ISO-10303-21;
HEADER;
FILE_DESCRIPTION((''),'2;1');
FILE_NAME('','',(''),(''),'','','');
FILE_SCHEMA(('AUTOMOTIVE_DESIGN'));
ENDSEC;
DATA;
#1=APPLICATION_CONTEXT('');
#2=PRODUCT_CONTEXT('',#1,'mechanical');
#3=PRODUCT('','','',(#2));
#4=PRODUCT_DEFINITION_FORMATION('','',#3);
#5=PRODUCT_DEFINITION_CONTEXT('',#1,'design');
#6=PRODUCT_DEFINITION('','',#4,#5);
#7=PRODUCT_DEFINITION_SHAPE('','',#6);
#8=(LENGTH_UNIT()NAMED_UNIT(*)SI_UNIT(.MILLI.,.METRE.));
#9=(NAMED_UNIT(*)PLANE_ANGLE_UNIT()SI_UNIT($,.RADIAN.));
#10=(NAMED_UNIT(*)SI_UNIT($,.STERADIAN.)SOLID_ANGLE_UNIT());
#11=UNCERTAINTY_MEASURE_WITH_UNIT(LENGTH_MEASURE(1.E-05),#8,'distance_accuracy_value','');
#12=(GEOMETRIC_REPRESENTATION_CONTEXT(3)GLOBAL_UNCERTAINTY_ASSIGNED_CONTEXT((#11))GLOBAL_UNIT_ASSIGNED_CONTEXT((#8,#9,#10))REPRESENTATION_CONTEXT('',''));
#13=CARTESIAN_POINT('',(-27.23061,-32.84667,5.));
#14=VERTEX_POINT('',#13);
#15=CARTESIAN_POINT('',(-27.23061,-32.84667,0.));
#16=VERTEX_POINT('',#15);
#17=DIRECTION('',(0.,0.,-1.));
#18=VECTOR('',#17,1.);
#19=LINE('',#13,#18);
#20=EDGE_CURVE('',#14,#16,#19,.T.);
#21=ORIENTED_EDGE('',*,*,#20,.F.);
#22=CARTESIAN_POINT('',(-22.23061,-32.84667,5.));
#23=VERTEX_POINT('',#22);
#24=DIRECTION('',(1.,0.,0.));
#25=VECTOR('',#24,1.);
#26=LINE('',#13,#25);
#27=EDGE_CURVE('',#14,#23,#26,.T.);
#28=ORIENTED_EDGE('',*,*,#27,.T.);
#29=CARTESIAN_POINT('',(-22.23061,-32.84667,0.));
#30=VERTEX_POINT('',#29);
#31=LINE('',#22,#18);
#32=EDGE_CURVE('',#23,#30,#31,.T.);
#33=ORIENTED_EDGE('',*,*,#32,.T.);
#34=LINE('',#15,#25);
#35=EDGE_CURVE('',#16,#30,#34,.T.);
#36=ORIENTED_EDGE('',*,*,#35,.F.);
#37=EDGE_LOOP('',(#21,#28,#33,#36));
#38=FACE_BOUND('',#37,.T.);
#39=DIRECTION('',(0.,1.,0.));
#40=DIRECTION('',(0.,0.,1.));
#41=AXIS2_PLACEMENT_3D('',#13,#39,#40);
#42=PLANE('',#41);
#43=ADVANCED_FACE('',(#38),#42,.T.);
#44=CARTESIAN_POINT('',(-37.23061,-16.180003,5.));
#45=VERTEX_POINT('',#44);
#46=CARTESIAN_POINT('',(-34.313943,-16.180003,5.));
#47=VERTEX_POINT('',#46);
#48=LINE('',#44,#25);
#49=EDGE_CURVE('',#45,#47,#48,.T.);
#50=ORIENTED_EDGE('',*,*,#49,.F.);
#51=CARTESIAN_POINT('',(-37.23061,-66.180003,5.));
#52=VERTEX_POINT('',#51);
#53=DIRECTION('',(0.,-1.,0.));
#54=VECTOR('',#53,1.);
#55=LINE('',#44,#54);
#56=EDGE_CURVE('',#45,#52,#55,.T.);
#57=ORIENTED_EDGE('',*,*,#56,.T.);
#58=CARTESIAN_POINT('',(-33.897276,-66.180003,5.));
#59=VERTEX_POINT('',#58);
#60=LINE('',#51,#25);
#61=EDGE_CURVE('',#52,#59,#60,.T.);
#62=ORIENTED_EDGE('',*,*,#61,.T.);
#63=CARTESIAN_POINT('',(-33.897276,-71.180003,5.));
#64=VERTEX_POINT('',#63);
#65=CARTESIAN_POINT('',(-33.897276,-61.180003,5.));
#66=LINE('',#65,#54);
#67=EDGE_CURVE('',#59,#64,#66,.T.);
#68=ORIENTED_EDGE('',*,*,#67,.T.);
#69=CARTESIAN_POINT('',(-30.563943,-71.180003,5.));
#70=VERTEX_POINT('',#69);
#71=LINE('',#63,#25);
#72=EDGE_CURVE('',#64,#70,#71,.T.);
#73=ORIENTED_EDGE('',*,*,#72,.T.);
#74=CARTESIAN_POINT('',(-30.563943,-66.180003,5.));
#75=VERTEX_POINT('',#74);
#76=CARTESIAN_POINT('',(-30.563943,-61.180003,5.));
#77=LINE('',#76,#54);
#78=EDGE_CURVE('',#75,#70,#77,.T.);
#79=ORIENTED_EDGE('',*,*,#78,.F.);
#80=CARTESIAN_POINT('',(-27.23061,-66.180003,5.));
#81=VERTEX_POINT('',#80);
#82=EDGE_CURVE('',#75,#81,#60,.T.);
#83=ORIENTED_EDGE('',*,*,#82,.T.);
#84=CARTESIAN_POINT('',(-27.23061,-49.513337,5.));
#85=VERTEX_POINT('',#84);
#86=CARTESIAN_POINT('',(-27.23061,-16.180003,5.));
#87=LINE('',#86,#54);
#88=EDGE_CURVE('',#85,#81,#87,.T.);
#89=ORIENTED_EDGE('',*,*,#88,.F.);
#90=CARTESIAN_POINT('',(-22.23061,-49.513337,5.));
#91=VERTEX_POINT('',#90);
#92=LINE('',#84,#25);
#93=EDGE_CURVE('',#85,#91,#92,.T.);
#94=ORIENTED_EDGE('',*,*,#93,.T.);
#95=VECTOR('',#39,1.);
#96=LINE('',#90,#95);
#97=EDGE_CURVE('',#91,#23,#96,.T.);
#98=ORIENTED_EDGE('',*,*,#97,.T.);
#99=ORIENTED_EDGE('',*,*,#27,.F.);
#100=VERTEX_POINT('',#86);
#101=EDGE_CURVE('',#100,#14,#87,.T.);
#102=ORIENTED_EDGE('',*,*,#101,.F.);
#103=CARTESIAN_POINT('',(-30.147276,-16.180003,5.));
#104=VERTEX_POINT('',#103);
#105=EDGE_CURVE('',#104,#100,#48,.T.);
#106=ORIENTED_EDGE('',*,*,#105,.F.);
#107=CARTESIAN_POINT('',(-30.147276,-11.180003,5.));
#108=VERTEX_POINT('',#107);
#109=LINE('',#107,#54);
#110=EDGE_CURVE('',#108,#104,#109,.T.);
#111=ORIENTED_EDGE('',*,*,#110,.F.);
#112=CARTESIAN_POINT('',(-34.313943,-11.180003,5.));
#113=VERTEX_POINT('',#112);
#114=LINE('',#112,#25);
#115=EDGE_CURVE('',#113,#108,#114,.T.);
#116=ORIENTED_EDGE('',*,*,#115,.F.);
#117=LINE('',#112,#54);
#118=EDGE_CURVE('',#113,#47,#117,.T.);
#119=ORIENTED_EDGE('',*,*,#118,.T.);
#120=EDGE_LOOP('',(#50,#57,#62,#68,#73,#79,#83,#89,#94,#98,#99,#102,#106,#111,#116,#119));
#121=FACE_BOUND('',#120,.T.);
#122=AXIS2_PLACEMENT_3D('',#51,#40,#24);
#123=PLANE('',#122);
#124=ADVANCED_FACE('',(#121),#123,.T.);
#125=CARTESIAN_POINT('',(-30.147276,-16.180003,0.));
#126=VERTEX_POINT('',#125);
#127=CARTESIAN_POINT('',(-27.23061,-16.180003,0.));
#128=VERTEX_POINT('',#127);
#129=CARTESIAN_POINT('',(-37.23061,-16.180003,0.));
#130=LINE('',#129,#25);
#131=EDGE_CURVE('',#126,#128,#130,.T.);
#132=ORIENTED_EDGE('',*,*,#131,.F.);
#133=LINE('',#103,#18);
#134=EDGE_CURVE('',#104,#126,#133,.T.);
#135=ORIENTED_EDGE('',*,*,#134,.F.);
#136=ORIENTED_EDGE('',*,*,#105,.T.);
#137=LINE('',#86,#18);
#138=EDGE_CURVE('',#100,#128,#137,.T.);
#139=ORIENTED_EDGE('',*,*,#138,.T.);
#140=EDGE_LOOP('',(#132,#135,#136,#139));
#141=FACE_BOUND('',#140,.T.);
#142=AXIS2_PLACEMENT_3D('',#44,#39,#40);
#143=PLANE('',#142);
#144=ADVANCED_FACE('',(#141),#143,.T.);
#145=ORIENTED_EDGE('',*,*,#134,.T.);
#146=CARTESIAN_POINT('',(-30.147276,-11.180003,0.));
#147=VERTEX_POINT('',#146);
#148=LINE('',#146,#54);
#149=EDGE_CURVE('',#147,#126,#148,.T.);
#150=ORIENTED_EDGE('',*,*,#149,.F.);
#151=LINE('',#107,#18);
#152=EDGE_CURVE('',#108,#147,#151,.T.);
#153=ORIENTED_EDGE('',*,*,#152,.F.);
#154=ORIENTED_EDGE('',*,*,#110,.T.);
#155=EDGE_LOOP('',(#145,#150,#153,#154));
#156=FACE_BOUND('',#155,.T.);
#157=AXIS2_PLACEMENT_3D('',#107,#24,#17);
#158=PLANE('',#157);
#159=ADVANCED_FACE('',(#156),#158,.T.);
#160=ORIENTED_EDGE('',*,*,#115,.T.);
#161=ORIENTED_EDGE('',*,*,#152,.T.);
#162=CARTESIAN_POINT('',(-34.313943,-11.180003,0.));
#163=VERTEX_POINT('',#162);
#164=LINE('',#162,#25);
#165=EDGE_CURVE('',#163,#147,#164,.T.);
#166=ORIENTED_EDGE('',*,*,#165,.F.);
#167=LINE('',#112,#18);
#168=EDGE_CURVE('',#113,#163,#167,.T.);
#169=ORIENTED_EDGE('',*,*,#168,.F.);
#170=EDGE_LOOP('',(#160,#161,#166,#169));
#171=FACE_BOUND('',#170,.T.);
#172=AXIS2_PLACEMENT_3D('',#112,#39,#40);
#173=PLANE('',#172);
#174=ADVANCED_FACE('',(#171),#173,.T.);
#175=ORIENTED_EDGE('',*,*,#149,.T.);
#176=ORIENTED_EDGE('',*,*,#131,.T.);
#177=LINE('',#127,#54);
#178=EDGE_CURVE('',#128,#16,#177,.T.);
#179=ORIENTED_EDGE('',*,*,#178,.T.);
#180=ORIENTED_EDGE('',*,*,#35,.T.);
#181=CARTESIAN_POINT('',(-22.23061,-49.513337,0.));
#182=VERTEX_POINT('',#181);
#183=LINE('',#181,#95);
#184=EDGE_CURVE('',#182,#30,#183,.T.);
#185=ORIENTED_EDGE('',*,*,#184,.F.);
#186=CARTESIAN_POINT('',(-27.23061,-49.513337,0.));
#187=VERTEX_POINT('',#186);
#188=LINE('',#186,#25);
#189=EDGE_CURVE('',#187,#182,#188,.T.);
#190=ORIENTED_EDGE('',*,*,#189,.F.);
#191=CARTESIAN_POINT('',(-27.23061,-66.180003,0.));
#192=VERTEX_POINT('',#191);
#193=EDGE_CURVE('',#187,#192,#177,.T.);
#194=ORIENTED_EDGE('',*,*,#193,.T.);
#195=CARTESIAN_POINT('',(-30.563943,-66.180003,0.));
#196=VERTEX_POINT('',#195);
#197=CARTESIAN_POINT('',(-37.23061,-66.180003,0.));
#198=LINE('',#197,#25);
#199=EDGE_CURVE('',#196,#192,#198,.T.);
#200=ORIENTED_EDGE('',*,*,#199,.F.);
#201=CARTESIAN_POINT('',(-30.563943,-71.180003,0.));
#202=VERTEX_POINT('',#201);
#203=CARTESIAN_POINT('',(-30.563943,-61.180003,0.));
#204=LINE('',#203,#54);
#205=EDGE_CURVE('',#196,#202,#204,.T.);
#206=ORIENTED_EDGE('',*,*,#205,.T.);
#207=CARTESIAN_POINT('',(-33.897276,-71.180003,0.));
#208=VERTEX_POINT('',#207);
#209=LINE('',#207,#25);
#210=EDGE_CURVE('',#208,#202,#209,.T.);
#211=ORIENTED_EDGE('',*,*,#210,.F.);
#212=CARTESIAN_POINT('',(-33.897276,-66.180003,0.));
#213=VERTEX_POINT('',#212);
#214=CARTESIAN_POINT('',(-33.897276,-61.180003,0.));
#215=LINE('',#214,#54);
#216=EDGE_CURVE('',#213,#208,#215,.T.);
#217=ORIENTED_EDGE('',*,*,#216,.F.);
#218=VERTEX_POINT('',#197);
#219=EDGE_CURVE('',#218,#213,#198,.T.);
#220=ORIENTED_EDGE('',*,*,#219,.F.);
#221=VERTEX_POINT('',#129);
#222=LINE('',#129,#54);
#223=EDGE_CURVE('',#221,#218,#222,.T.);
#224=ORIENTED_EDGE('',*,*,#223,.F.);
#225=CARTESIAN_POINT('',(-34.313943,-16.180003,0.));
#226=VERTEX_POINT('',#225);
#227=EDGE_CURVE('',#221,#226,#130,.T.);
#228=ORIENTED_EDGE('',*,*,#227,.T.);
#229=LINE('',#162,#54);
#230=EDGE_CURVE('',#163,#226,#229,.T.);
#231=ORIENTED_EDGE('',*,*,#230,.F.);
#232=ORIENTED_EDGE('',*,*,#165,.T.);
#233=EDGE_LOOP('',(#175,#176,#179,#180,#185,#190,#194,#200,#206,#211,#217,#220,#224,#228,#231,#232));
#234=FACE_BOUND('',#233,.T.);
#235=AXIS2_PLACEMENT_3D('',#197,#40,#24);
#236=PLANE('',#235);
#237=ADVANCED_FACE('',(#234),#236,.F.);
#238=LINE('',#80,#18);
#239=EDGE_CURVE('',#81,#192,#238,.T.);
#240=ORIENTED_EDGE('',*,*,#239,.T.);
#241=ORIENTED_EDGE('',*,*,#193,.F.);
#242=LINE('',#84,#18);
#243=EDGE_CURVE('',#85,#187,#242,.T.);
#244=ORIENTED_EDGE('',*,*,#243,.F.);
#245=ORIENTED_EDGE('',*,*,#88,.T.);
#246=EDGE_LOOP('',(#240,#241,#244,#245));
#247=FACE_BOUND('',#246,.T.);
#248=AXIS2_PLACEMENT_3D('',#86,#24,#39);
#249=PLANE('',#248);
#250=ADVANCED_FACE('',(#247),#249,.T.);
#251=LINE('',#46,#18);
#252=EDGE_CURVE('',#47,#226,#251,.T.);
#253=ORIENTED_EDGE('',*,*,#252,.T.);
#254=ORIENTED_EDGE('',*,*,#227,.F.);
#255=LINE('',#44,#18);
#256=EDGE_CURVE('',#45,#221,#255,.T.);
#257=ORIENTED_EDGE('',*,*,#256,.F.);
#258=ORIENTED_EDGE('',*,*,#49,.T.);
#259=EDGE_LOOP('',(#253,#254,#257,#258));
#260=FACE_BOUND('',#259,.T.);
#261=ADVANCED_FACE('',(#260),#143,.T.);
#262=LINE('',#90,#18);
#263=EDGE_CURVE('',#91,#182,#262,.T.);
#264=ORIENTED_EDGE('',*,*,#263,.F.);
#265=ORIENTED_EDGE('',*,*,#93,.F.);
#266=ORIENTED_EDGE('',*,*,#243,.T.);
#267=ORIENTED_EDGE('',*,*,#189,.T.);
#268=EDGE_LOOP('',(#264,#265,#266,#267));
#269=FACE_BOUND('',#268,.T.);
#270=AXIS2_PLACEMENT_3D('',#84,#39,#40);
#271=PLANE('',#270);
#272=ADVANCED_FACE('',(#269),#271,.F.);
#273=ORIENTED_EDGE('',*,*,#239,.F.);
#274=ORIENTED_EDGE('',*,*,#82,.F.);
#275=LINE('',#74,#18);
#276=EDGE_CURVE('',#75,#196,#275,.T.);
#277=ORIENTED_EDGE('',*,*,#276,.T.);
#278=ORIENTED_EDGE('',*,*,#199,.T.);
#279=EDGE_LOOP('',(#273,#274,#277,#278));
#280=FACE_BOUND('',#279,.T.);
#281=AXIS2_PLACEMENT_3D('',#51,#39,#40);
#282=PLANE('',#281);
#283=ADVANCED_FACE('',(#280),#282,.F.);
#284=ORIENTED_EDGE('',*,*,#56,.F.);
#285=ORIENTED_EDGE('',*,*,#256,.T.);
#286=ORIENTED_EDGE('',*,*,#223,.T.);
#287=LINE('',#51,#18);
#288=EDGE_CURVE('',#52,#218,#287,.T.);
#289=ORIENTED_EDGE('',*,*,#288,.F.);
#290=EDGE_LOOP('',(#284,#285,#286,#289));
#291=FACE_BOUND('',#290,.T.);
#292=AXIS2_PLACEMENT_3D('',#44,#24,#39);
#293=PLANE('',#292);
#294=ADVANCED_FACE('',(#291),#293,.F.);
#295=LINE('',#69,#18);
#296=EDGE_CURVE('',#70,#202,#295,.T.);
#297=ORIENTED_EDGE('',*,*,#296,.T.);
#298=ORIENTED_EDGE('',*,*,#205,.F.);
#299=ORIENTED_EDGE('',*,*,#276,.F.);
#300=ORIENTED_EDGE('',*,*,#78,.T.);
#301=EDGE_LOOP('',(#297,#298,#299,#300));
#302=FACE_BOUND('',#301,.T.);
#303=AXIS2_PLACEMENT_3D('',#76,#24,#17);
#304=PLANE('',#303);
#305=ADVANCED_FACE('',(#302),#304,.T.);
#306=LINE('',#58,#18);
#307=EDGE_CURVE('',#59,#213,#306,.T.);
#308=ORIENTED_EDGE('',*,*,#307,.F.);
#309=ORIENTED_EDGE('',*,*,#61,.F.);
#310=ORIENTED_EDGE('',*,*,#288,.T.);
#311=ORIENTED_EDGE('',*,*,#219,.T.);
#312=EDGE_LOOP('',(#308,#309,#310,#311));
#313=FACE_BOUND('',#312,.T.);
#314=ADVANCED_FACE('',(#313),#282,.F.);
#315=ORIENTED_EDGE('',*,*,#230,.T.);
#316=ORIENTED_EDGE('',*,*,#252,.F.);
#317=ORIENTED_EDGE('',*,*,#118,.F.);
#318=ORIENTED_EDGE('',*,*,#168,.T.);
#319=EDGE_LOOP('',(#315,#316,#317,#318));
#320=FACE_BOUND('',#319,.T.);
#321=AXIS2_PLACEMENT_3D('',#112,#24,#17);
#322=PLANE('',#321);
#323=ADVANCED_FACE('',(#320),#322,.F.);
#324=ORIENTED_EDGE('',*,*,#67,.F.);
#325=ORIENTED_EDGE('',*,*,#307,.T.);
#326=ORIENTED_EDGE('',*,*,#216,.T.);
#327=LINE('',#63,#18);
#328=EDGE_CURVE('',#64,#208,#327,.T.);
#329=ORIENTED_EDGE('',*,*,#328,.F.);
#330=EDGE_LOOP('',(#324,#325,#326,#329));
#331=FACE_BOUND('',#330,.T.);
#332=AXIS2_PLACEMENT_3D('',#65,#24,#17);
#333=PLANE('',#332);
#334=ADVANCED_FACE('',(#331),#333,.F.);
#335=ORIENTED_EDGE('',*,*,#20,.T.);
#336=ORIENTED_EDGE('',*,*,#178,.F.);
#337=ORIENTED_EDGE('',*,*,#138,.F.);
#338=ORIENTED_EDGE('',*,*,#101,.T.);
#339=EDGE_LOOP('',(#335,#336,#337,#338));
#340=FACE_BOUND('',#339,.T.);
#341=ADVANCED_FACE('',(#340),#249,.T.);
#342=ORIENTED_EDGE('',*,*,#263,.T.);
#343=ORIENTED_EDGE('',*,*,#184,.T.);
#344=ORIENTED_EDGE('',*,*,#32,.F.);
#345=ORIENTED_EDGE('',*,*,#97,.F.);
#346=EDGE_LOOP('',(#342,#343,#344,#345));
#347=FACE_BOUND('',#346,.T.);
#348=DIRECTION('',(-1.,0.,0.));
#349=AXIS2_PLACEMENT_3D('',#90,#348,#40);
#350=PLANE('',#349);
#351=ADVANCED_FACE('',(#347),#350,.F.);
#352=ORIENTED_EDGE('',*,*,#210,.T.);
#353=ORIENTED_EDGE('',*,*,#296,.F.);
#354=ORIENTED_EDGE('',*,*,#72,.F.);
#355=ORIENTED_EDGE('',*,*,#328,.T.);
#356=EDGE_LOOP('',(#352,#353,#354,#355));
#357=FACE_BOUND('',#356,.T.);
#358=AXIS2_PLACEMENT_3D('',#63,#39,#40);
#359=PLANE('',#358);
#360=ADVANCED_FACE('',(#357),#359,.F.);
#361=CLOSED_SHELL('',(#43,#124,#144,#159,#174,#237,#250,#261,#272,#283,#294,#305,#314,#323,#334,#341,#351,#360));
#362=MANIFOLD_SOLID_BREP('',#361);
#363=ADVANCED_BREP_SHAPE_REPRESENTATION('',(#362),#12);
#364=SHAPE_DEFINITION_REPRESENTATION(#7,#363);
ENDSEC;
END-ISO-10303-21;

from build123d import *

# Parameters (mm, degrees)
SKETCH1_W           = 4.166666666
SKETCH1_H           = 10
SKETCH1_W_2         = 10
SKETCH1_H_2         = 50
SKETCH1_W_3         = 3.333333334
SKETCH1_W_4         = 5
SKETCH1_H_3         = 16.666666667
BOSS_EXTRUDE1_DEPTH = 5


with BuildPart() as part:
    # Sketch1 → Boss-Extrude1 (new body)
    with BuildSketch(Plane.XY):
        with Locations((-32.230609748, -16.180003411)):
            Rectangle(SKETCH1_W, SKETCH1_H)
        with Locations((-32.230609748, -41.180003411)):
            Rectangle(SKETCH1_W_2, SKETCH1_H_2)
        with Locations((-32.230609748, -66.180003411)):
            Rectangle(SKETCH1_W_3, SKETCH1_H)
        with Locations((-24.730609748, -41.18000341)):
            Rectangle(SKETCH1_W_4, SKETCH1_H_3)
    extrude(amount=BOSS_EXTRUDE1_DEPTH)


solid = part.part
